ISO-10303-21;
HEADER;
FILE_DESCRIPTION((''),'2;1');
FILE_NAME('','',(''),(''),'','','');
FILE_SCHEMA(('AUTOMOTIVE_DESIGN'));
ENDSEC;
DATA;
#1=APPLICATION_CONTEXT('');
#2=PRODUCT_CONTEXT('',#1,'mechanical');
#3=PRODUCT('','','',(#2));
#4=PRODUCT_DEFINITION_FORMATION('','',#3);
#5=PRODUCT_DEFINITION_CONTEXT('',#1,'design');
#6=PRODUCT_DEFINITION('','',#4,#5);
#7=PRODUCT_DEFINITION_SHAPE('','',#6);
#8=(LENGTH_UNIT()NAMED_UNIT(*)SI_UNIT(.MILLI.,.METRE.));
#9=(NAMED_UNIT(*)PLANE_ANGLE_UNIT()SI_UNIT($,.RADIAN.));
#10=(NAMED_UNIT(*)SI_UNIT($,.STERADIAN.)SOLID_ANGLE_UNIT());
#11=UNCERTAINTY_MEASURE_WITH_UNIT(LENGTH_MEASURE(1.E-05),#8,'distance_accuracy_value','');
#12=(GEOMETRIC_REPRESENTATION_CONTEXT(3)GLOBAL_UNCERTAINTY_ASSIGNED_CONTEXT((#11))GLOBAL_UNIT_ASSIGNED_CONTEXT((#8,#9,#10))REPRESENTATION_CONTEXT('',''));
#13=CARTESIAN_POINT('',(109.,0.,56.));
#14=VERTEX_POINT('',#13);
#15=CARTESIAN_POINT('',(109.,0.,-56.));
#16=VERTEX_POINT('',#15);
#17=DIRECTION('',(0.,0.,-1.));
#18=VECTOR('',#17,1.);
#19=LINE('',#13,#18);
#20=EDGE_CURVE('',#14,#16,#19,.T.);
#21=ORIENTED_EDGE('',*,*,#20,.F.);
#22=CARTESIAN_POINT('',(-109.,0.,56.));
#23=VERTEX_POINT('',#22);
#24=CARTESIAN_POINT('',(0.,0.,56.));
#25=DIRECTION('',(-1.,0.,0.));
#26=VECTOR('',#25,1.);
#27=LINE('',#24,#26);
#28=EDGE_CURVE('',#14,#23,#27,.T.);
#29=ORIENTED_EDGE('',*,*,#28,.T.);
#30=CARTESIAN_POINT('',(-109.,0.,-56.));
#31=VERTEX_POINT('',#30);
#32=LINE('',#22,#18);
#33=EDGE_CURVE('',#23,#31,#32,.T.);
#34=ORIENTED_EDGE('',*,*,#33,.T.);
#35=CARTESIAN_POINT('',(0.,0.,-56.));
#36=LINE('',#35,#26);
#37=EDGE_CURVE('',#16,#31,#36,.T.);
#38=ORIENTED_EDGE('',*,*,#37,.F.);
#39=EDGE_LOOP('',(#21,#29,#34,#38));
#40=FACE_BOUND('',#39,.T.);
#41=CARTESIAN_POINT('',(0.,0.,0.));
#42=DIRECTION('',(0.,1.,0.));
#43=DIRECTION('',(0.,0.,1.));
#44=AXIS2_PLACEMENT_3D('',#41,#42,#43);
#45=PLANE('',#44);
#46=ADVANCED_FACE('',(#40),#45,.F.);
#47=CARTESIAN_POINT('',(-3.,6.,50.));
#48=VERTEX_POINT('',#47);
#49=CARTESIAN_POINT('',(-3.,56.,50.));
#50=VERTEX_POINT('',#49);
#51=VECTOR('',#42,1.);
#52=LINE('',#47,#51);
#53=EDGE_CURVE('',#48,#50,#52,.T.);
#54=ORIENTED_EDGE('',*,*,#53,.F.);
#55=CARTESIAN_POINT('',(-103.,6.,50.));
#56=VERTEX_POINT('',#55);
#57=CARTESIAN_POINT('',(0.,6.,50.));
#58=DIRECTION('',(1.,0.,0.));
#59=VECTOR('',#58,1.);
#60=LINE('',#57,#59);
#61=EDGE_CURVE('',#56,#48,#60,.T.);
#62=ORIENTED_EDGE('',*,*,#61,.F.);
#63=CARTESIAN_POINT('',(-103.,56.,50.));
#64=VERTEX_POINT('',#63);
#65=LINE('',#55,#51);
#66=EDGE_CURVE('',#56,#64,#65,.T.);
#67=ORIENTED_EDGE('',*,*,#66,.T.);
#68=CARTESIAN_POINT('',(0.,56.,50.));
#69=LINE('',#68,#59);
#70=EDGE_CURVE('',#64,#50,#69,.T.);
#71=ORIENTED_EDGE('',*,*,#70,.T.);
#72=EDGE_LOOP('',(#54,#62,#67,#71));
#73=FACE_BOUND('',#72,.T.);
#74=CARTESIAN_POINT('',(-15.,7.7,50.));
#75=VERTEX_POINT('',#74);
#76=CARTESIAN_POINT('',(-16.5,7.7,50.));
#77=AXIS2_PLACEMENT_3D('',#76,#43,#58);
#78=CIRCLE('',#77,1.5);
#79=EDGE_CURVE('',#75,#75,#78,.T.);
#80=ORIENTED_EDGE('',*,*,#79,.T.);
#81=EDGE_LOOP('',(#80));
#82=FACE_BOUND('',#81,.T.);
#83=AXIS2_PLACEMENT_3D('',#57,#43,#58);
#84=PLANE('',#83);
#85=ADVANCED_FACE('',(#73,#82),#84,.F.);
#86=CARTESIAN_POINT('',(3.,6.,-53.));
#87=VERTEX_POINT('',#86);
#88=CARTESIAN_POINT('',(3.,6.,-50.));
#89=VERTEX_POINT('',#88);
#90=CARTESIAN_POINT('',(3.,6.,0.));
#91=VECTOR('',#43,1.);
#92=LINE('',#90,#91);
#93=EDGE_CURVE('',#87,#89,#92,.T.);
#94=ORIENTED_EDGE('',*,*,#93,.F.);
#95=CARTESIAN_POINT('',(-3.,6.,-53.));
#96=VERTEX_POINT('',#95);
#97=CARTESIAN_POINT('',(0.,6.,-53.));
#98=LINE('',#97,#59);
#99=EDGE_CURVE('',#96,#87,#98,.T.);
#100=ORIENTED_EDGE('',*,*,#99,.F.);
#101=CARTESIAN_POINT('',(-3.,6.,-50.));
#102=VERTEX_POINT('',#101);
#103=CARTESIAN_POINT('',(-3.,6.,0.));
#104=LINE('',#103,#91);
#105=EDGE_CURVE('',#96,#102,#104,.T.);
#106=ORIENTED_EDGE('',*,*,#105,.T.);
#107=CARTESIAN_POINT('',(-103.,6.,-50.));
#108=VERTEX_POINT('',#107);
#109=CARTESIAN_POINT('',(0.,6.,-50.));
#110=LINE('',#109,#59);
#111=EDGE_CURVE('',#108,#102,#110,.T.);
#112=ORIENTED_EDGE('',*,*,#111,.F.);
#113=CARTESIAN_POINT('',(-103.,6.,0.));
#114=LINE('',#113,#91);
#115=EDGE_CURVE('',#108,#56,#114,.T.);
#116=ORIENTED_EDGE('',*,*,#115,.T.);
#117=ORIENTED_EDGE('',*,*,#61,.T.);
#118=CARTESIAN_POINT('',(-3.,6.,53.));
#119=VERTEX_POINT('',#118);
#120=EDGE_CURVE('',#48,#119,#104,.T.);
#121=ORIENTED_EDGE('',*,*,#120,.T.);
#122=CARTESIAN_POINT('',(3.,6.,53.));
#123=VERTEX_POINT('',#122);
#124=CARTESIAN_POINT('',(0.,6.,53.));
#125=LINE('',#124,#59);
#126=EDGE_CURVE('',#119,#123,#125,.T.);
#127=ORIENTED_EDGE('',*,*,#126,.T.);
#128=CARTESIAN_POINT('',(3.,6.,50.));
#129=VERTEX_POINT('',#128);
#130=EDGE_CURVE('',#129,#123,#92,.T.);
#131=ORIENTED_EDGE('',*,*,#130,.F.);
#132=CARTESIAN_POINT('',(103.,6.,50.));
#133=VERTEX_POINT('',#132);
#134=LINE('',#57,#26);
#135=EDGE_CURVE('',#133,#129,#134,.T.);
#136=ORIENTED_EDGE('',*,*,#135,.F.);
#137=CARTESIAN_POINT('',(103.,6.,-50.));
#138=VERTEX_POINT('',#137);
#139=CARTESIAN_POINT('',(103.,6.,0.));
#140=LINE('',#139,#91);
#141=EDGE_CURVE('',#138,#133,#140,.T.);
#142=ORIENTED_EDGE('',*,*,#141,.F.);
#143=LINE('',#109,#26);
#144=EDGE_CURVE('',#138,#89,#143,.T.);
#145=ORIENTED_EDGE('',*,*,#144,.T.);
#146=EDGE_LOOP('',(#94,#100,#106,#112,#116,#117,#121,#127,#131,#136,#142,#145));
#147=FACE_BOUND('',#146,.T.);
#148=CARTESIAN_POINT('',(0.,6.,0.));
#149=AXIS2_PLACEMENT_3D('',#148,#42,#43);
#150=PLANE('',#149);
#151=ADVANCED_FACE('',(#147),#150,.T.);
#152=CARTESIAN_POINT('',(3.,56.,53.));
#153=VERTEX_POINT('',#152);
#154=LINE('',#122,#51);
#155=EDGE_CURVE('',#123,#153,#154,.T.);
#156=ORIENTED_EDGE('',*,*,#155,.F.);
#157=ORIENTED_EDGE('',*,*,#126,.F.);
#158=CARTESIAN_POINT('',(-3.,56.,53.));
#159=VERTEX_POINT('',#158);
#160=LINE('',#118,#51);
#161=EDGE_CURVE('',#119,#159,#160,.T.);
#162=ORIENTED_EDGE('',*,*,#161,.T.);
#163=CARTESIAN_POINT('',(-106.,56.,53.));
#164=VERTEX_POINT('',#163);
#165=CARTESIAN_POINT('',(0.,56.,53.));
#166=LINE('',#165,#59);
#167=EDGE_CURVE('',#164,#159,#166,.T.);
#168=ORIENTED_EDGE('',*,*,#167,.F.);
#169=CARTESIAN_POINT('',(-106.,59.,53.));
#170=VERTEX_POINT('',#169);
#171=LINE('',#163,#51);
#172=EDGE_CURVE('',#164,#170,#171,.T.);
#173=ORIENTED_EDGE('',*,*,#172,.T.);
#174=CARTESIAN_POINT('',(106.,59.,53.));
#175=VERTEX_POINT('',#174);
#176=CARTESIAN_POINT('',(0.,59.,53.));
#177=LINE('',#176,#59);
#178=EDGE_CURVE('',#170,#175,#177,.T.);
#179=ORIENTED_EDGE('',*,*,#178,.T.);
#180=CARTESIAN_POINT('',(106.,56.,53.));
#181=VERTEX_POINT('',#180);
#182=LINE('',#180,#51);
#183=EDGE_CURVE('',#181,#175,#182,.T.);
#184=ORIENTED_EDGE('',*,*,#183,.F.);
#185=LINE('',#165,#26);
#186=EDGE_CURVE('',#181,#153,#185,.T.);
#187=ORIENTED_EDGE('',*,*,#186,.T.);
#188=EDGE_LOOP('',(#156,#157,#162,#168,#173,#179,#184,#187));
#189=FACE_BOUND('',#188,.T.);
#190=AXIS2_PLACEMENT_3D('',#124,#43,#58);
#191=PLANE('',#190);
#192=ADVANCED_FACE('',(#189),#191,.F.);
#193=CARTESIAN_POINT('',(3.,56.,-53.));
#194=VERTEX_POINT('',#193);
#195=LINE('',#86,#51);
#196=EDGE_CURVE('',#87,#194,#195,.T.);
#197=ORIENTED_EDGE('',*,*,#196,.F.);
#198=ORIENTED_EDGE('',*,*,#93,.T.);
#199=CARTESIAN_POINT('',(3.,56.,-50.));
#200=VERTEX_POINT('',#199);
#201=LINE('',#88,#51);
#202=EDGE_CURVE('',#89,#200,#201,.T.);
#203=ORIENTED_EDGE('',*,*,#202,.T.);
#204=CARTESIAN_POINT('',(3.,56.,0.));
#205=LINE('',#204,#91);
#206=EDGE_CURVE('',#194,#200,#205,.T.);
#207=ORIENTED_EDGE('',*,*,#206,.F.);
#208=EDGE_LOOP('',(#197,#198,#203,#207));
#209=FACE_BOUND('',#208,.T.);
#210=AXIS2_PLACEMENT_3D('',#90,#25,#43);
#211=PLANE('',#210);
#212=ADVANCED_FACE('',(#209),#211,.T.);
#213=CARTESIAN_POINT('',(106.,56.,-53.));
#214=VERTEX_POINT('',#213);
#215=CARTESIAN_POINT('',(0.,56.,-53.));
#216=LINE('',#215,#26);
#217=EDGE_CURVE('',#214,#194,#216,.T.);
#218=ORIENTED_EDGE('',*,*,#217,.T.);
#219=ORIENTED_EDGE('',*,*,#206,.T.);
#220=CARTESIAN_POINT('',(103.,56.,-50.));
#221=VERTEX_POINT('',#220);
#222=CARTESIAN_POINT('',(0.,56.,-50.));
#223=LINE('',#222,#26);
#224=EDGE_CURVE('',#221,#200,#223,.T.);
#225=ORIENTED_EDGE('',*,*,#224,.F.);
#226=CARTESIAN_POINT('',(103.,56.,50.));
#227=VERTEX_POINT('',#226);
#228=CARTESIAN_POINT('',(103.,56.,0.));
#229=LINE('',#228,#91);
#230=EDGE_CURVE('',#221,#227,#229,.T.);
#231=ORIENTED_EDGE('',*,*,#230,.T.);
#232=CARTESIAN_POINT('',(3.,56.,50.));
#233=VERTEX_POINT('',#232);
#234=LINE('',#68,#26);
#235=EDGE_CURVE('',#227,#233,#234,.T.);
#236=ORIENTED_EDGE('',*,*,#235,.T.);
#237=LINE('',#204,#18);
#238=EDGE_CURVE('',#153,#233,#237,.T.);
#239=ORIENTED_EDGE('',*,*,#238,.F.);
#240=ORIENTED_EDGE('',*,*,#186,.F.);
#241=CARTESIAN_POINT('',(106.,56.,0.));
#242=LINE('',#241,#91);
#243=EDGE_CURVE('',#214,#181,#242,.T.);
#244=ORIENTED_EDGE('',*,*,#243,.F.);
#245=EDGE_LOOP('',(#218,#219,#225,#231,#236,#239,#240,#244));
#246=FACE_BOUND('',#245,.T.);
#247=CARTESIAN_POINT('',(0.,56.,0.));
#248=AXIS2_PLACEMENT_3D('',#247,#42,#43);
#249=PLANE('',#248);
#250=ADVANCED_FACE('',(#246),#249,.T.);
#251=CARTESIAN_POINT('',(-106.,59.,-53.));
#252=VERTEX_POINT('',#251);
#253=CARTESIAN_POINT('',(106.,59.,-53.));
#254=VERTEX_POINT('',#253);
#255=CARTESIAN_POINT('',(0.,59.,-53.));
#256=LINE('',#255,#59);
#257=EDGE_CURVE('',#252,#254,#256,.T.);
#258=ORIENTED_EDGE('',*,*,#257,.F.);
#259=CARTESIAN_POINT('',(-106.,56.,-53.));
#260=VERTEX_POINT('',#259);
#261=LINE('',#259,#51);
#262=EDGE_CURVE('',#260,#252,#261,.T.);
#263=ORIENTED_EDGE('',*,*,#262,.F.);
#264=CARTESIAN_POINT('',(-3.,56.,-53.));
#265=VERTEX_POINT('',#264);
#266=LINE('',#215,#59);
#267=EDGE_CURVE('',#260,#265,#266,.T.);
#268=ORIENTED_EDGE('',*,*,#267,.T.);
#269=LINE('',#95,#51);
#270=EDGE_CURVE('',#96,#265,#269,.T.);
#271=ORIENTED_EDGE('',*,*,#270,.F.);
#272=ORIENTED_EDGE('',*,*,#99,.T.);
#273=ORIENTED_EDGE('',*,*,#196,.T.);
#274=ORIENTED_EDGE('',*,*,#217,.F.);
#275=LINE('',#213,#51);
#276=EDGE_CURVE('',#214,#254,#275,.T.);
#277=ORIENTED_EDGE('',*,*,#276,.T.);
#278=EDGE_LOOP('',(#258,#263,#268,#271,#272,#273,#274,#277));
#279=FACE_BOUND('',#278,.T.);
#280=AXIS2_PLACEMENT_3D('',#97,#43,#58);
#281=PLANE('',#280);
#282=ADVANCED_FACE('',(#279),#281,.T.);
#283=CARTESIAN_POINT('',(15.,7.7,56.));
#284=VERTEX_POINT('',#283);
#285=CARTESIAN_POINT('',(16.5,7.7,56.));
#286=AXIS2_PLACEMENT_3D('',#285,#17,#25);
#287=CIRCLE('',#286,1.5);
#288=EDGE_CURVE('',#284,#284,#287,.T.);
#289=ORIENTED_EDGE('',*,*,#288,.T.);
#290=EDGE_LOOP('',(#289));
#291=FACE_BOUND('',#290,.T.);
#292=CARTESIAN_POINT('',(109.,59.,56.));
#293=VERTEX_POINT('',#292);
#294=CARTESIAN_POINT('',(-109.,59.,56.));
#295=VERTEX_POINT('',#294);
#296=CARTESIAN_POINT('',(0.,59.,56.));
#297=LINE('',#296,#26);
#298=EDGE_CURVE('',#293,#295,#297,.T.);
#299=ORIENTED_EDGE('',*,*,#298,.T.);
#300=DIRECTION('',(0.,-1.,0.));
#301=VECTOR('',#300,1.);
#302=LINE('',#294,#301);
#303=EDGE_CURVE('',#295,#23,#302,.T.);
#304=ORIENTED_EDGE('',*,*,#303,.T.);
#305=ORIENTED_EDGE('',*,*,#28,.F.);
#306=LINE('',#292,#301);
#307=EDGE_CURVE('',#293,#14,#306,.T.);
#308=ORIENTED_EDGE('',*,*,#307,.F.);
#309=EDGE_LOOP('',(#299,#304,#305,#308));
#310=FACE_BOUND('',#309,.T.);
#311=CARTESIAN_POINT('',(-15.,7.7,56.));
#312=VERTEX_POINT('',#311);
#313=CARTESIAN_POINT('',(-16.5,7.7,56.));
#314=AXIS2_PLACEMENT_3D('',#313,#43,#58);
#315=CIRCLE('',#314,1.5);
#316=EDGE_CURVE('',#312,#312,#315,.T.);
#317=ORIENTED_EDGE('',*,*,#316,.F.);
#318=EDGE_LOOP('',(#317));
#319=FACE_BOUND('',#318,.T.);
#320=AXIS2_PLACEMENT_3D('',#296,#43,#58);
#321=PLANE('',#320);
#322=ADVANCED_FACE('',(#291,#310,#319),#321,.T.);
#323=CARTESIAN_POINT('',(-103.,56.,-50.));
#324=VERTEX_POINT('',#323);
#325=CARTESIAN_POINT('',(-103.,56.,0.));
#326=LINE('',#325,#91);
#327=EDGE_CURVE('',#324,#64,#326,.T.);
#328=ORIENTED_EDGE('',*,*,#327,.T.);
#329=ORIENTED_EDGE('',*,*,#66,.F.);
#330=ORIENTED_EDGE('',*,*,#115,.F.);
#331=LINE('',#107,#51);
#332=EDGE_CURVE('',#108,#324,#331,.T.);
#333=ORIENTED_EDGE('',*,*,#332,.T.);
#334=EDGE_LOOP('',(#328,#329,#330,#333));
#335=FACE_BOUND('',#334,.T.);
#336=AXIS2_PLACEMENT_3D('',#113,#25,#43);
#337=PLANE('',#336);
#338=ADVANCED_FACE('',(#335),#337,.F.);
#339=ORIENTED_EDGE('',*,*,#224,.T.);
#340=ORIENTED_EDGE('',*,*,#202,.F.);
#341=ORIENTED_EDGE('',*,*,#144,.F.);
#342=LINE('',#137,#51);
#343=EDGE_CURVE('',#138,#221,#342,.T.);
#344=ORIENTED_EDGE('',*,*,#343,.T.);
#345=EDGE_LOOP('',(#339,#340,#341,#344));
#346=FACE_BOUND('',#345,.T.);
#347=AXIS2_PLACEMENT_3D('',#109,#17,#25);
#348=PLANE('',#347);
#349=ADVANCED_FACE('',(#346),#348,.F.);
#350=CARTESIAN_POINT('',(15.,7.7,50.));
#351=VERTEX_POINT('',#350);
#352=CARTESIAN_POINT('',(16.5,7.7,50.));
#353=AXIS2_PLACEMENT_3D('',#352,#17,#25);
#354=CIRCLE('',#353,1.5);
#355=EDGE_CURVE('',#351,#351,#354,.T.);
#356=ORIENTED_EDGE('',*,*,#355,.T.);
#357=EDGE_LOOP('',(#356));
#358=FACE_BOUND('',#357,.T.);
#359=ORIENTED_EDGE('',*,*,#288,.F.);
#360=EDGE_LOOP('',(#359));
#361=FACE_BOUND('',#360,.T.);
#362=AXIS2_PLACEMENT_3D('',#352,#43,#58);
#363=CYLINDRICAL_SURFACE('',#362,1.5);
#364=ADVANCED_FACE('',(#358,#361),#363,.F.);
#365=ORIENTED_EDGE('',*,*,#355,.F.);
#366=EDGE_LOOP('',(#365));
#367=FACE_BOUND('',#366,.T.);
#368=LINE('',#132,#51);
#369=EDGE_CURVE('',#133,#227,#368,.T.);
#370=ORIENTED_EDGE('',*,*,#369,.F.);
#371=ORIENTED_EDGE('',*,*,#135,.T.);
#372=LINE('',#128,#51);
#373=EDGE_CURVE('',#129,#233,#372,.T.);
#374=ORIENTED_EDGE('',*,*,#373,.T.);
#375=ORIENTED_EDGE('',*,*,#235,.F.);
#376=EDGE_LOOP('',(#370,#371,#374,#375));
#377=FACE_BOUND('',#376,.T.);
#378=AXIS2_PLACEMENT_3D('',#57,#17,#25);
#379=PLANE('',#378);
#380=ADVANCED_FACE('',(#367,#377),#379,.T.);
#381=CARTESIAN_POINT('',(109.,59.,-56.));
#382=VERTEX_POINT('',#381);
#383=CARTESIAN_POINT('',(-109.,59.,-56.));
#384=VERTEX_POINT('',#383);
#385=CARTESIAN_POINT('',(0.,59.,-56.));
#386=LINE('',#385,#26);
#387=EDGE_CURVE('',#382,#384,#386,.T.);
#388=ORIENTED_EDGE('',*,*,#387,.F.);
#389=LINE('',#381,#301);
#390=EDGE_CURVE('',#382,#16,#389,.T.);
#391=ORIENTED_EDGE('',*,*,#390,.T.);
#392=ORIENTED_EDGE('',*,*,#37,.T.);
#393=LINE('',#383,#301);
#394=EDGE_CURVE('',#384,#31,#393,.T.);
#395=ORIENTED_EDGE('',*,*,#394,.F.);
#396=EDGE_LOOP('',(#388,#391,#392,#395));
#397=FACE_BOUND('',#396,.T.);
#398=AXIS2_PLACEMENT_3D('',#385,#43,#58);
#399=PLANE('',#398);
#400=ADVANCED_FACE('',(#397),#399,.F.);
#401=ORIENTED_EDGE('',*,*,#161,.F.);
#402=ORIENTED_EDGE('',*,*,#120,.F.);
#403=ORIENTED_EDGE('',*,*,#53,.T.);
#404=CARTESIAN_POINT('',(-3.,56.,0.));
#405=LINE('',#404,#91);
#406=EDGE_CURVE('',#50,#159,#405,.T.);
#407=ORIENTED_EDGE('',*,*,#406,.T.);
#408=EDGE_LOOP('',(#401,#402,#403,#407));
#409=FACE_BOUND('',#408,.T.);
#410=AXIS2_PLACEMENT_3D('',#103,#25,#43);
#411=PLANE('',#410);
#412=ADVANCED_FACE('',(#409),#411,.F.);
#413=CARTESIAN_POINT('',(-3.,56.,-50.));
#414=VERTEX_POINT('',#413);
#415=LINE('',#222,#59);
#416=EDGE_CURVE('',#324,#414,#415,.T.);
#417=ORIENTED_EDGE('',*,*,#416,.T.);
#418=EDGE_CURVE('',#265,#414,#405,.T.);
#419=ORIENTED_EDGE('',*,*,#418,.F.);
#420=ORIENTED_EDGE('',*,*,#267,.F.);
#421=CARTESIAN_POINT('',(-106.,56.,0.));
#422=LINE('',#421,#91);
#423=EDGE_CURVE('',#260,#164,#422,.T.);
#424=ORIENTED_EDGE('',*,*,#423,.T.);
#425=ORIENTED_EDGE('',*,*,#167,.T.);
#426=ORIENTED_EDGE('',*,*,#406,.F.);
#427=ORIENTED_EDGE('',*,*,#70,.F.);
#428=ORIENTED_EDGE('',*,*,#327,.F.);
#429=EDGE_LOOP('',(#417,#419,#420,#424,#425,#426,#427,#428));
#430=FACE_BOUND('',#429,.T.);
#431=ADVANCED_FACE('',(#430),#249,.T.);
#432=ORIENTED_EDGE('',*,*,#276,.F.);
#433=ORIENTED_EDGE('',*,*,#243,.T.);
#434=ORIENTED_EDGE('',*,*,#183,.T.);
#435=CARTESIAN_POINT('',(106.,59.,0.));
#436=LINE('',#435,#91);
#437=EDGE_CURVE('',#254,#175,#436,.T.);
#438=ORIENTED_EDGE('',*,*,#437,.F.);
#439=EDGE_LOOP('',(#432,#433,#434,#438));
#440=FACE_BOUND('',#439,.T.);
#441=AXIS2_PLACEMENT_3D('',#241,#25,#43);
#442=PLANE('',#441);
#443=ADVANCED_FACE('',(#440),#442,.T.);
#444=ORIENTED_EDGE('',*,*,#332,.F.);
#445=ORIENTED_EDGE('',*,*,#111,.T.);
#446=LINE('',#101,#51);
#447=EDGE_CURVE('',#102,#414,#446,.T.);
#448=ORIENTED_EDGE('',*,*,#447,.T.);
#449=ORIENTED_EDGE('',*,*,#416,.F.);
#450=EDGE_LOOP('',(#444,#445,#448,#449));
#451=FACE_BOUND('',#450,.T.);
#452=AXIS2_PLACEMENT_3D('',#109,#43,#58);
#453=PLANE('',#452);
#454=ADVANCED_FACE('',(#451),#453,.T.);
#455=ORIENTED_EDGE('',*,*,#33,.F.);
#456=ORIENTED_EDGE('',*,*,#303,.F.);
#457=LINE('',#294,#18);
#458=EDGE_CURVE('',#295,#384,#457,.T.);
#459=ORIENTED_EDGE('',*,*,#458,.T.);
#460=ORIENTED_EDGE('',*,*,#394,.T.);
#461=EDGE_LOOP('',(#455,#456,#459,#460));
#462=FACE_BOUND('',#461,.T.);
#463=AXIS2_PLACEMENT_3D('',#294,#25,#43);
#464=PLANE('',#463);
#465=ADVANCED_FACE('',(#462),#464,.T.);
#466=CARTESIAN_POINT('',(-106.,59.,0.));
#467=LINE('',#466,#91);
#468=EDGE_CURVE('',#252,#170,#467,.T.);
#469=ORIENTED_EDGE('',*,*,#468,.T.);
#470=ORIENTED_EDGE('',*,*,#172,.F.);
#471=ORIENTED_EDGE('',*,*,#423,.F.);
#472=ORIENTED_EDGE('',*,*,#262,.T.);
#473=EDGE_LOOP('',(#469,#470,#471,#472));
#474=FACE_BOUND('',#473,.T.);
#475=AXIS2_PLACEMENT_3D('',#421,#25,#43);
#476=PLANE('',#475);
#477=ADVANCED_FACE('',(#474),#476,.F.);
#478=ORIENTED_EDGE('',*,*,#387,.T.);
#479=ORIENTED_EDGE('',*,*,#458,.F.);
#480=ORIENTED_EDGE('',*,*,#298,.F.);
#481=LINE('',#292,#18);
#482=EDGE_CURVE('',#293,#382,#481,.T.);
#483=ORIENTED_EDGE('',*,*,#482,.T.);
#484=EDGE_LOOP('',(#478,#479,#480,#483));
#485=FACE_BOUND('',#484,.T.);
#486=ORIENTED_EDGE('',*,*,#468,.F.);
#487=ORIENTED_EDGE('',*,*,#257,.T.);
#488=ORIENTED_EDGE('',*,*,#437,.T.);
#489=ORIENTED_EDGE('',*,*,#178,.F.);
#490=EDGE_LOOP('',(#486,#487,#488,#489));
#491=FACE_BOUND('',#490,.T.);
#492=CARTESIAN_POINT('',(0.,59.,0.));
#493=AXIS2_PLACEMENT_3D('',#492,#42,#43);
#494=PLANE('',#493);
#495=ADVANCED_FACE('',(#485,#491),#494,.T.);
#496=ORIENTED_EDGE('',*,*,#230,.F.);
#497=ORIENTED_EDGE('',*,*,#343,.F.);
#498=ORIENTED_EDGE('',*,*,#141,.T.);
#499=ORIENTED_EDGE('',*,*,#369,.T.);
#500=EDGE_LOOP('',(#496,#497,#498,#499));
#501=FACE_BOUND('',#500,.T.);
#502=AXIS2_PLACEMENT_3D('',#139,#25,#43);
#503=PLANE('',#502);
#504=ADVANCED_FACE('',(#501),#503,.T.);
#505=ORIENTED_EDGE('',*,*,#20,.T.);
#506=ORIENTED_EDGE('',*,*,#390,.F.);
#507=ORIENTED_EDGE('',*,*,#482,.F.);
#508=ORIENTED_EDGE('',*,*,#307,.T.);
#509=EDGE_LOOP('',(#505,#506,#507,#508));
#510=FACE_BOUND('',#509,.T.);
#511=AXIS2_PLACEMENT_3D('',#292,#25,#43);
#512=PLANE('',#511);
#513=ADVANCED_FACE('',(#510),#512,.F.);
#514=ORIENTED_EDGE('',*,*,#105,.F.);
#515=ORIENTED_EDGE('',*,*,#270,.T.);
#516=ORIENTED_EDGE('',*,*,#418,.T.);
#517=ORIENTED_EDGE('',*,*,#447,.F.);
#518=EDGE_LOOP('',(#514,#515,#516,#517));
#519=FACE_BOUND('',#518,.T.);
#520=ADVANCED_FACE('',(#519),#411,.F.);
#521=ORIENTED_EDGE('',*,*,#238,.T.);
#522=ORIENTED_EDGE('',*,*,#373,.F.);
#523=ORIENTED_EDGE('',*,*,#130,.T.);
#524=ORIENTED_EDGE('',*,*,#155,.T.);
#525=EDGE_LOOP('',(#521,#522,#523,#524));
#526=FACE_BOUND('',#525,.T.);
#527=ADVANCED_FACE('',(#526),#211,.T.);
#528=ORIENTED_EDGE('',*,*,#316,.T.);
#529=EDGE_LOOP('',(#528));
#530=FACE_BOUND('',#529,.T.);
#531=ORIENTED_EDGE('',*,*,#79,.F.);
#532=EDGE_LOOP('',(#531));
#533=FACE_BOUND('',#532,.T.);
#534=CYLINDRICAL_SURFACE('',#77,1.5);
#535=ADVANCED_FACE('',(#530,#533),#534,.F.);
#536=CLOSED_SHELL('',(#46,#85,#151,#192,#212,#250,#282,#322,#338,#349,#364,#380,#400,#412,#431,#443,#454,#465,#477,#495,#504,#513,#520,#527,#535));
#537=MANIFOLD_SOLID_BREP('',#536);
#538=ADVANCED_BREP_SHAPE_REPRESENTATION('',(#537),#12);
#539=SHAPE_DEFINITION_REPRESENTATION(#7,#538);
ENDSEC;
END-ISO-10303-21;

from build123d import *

# Parameters (mm, degrees)
SKETCH1_W           = 109
SKETCH1_H           = 112
BOSS_EXTRUDE1_DEPTH = 59
CUT_EXTRUDE1_DEPTH  = 53
CUT_EXTRUDE2_DEPTH  = 3
SKETCH6_R           = 1.5
CUT_EXTRUDE28_DEPTH = 6


with BuildPart() as part:
    # Sketch1 → Boss-Extrude1 (new body)
    with BuildSketch(Plane(origin=(0, 0, 0), x_dir=(1, 0, 0), z_dir=(0, 1, 0))):
        with Locations((-54.5, 0)):
            Rectangle(SKETCH1_W, SKETCH1_H)
    boss_extrude1 = extrude(amount=BOSS_EXTRUDE1_DEPTH)

    # Sketch2 → Cut-Extrude1 (cut)
    with BuildSketch(Plane(origin=(0, 59, 0), x_dir=(1, 0, 0), z_dir=(0, 1, 0))):
        Polygon((-103, 50), (-103, -50), (-3, -50), (-3, -53), (0, -53), (0, 53), (-3, 53), (-3, 50), align=None)
    cut_extrude1 = extrude(amount=-CUT_EXTRUDE1_DEPTH, mode=Mode.SUBTRACT)

    # Sketch2<3> → Cut-Extrude2 (cut)
    with BuildSketch(Plane(origin=(0, 59, 0), x_dir=(1, 0, 0), z_dir=(0, 1, 0))):
        Polygon((-106, 53), (-106, -53), (-3, -53), (-3, 0), (-6, 0), (-6, -50), (-103, -50), (-103, 50), (-3, 50), (-3, 53), align=None)
    cut_extrude2 = extrude(amount=-CUT_EXTRUDE2_DEPTH, mode=Mode.SUBTRACT)

    # Sketch6 → Cut-Extrude28 (cut)
    with BuildSketch(Plane.XY.offset(56)):
        with Locations((-16.5, 7.7)):
            Circle(SKETCH6_R)
    cut_extrude28 = extrude(amount=-CUT_EXTRUDE28_DEPTH, mode=Mode.SUBTRACT)

    # Mirror1: Boss-Extrude1, Cut-Extrude1, Cut-Extrude2, Cut-Extrude28 across plane
    add(boss_extrude1.mirror(Plane(origin=(0, 0, 0), x_dir=(0, 0, 1), z_dir=(1, 0, 0))))
    add(cut_extrude1.mirror(Plane(origin=(0, 0, 0), x_dir=(0, 0, 1), z_dir=(1, 0, 0))), mode=Mode.SUBTRACT)
    add(cut_extrude2.mirror(Plane(origin=(0, 0, 0), x_dir=(0, 0, 1), z_dir=(1, 0, 0))), mode=Mode.SUBTRACT)
    add(cut_extrude28.mirror(Plane(origin=(0, 0, 0), x_dir=(0, 0, 1), z_dir=(1, 0, 0))), mode=Mode.SUBTRACT)


solid = part.part
